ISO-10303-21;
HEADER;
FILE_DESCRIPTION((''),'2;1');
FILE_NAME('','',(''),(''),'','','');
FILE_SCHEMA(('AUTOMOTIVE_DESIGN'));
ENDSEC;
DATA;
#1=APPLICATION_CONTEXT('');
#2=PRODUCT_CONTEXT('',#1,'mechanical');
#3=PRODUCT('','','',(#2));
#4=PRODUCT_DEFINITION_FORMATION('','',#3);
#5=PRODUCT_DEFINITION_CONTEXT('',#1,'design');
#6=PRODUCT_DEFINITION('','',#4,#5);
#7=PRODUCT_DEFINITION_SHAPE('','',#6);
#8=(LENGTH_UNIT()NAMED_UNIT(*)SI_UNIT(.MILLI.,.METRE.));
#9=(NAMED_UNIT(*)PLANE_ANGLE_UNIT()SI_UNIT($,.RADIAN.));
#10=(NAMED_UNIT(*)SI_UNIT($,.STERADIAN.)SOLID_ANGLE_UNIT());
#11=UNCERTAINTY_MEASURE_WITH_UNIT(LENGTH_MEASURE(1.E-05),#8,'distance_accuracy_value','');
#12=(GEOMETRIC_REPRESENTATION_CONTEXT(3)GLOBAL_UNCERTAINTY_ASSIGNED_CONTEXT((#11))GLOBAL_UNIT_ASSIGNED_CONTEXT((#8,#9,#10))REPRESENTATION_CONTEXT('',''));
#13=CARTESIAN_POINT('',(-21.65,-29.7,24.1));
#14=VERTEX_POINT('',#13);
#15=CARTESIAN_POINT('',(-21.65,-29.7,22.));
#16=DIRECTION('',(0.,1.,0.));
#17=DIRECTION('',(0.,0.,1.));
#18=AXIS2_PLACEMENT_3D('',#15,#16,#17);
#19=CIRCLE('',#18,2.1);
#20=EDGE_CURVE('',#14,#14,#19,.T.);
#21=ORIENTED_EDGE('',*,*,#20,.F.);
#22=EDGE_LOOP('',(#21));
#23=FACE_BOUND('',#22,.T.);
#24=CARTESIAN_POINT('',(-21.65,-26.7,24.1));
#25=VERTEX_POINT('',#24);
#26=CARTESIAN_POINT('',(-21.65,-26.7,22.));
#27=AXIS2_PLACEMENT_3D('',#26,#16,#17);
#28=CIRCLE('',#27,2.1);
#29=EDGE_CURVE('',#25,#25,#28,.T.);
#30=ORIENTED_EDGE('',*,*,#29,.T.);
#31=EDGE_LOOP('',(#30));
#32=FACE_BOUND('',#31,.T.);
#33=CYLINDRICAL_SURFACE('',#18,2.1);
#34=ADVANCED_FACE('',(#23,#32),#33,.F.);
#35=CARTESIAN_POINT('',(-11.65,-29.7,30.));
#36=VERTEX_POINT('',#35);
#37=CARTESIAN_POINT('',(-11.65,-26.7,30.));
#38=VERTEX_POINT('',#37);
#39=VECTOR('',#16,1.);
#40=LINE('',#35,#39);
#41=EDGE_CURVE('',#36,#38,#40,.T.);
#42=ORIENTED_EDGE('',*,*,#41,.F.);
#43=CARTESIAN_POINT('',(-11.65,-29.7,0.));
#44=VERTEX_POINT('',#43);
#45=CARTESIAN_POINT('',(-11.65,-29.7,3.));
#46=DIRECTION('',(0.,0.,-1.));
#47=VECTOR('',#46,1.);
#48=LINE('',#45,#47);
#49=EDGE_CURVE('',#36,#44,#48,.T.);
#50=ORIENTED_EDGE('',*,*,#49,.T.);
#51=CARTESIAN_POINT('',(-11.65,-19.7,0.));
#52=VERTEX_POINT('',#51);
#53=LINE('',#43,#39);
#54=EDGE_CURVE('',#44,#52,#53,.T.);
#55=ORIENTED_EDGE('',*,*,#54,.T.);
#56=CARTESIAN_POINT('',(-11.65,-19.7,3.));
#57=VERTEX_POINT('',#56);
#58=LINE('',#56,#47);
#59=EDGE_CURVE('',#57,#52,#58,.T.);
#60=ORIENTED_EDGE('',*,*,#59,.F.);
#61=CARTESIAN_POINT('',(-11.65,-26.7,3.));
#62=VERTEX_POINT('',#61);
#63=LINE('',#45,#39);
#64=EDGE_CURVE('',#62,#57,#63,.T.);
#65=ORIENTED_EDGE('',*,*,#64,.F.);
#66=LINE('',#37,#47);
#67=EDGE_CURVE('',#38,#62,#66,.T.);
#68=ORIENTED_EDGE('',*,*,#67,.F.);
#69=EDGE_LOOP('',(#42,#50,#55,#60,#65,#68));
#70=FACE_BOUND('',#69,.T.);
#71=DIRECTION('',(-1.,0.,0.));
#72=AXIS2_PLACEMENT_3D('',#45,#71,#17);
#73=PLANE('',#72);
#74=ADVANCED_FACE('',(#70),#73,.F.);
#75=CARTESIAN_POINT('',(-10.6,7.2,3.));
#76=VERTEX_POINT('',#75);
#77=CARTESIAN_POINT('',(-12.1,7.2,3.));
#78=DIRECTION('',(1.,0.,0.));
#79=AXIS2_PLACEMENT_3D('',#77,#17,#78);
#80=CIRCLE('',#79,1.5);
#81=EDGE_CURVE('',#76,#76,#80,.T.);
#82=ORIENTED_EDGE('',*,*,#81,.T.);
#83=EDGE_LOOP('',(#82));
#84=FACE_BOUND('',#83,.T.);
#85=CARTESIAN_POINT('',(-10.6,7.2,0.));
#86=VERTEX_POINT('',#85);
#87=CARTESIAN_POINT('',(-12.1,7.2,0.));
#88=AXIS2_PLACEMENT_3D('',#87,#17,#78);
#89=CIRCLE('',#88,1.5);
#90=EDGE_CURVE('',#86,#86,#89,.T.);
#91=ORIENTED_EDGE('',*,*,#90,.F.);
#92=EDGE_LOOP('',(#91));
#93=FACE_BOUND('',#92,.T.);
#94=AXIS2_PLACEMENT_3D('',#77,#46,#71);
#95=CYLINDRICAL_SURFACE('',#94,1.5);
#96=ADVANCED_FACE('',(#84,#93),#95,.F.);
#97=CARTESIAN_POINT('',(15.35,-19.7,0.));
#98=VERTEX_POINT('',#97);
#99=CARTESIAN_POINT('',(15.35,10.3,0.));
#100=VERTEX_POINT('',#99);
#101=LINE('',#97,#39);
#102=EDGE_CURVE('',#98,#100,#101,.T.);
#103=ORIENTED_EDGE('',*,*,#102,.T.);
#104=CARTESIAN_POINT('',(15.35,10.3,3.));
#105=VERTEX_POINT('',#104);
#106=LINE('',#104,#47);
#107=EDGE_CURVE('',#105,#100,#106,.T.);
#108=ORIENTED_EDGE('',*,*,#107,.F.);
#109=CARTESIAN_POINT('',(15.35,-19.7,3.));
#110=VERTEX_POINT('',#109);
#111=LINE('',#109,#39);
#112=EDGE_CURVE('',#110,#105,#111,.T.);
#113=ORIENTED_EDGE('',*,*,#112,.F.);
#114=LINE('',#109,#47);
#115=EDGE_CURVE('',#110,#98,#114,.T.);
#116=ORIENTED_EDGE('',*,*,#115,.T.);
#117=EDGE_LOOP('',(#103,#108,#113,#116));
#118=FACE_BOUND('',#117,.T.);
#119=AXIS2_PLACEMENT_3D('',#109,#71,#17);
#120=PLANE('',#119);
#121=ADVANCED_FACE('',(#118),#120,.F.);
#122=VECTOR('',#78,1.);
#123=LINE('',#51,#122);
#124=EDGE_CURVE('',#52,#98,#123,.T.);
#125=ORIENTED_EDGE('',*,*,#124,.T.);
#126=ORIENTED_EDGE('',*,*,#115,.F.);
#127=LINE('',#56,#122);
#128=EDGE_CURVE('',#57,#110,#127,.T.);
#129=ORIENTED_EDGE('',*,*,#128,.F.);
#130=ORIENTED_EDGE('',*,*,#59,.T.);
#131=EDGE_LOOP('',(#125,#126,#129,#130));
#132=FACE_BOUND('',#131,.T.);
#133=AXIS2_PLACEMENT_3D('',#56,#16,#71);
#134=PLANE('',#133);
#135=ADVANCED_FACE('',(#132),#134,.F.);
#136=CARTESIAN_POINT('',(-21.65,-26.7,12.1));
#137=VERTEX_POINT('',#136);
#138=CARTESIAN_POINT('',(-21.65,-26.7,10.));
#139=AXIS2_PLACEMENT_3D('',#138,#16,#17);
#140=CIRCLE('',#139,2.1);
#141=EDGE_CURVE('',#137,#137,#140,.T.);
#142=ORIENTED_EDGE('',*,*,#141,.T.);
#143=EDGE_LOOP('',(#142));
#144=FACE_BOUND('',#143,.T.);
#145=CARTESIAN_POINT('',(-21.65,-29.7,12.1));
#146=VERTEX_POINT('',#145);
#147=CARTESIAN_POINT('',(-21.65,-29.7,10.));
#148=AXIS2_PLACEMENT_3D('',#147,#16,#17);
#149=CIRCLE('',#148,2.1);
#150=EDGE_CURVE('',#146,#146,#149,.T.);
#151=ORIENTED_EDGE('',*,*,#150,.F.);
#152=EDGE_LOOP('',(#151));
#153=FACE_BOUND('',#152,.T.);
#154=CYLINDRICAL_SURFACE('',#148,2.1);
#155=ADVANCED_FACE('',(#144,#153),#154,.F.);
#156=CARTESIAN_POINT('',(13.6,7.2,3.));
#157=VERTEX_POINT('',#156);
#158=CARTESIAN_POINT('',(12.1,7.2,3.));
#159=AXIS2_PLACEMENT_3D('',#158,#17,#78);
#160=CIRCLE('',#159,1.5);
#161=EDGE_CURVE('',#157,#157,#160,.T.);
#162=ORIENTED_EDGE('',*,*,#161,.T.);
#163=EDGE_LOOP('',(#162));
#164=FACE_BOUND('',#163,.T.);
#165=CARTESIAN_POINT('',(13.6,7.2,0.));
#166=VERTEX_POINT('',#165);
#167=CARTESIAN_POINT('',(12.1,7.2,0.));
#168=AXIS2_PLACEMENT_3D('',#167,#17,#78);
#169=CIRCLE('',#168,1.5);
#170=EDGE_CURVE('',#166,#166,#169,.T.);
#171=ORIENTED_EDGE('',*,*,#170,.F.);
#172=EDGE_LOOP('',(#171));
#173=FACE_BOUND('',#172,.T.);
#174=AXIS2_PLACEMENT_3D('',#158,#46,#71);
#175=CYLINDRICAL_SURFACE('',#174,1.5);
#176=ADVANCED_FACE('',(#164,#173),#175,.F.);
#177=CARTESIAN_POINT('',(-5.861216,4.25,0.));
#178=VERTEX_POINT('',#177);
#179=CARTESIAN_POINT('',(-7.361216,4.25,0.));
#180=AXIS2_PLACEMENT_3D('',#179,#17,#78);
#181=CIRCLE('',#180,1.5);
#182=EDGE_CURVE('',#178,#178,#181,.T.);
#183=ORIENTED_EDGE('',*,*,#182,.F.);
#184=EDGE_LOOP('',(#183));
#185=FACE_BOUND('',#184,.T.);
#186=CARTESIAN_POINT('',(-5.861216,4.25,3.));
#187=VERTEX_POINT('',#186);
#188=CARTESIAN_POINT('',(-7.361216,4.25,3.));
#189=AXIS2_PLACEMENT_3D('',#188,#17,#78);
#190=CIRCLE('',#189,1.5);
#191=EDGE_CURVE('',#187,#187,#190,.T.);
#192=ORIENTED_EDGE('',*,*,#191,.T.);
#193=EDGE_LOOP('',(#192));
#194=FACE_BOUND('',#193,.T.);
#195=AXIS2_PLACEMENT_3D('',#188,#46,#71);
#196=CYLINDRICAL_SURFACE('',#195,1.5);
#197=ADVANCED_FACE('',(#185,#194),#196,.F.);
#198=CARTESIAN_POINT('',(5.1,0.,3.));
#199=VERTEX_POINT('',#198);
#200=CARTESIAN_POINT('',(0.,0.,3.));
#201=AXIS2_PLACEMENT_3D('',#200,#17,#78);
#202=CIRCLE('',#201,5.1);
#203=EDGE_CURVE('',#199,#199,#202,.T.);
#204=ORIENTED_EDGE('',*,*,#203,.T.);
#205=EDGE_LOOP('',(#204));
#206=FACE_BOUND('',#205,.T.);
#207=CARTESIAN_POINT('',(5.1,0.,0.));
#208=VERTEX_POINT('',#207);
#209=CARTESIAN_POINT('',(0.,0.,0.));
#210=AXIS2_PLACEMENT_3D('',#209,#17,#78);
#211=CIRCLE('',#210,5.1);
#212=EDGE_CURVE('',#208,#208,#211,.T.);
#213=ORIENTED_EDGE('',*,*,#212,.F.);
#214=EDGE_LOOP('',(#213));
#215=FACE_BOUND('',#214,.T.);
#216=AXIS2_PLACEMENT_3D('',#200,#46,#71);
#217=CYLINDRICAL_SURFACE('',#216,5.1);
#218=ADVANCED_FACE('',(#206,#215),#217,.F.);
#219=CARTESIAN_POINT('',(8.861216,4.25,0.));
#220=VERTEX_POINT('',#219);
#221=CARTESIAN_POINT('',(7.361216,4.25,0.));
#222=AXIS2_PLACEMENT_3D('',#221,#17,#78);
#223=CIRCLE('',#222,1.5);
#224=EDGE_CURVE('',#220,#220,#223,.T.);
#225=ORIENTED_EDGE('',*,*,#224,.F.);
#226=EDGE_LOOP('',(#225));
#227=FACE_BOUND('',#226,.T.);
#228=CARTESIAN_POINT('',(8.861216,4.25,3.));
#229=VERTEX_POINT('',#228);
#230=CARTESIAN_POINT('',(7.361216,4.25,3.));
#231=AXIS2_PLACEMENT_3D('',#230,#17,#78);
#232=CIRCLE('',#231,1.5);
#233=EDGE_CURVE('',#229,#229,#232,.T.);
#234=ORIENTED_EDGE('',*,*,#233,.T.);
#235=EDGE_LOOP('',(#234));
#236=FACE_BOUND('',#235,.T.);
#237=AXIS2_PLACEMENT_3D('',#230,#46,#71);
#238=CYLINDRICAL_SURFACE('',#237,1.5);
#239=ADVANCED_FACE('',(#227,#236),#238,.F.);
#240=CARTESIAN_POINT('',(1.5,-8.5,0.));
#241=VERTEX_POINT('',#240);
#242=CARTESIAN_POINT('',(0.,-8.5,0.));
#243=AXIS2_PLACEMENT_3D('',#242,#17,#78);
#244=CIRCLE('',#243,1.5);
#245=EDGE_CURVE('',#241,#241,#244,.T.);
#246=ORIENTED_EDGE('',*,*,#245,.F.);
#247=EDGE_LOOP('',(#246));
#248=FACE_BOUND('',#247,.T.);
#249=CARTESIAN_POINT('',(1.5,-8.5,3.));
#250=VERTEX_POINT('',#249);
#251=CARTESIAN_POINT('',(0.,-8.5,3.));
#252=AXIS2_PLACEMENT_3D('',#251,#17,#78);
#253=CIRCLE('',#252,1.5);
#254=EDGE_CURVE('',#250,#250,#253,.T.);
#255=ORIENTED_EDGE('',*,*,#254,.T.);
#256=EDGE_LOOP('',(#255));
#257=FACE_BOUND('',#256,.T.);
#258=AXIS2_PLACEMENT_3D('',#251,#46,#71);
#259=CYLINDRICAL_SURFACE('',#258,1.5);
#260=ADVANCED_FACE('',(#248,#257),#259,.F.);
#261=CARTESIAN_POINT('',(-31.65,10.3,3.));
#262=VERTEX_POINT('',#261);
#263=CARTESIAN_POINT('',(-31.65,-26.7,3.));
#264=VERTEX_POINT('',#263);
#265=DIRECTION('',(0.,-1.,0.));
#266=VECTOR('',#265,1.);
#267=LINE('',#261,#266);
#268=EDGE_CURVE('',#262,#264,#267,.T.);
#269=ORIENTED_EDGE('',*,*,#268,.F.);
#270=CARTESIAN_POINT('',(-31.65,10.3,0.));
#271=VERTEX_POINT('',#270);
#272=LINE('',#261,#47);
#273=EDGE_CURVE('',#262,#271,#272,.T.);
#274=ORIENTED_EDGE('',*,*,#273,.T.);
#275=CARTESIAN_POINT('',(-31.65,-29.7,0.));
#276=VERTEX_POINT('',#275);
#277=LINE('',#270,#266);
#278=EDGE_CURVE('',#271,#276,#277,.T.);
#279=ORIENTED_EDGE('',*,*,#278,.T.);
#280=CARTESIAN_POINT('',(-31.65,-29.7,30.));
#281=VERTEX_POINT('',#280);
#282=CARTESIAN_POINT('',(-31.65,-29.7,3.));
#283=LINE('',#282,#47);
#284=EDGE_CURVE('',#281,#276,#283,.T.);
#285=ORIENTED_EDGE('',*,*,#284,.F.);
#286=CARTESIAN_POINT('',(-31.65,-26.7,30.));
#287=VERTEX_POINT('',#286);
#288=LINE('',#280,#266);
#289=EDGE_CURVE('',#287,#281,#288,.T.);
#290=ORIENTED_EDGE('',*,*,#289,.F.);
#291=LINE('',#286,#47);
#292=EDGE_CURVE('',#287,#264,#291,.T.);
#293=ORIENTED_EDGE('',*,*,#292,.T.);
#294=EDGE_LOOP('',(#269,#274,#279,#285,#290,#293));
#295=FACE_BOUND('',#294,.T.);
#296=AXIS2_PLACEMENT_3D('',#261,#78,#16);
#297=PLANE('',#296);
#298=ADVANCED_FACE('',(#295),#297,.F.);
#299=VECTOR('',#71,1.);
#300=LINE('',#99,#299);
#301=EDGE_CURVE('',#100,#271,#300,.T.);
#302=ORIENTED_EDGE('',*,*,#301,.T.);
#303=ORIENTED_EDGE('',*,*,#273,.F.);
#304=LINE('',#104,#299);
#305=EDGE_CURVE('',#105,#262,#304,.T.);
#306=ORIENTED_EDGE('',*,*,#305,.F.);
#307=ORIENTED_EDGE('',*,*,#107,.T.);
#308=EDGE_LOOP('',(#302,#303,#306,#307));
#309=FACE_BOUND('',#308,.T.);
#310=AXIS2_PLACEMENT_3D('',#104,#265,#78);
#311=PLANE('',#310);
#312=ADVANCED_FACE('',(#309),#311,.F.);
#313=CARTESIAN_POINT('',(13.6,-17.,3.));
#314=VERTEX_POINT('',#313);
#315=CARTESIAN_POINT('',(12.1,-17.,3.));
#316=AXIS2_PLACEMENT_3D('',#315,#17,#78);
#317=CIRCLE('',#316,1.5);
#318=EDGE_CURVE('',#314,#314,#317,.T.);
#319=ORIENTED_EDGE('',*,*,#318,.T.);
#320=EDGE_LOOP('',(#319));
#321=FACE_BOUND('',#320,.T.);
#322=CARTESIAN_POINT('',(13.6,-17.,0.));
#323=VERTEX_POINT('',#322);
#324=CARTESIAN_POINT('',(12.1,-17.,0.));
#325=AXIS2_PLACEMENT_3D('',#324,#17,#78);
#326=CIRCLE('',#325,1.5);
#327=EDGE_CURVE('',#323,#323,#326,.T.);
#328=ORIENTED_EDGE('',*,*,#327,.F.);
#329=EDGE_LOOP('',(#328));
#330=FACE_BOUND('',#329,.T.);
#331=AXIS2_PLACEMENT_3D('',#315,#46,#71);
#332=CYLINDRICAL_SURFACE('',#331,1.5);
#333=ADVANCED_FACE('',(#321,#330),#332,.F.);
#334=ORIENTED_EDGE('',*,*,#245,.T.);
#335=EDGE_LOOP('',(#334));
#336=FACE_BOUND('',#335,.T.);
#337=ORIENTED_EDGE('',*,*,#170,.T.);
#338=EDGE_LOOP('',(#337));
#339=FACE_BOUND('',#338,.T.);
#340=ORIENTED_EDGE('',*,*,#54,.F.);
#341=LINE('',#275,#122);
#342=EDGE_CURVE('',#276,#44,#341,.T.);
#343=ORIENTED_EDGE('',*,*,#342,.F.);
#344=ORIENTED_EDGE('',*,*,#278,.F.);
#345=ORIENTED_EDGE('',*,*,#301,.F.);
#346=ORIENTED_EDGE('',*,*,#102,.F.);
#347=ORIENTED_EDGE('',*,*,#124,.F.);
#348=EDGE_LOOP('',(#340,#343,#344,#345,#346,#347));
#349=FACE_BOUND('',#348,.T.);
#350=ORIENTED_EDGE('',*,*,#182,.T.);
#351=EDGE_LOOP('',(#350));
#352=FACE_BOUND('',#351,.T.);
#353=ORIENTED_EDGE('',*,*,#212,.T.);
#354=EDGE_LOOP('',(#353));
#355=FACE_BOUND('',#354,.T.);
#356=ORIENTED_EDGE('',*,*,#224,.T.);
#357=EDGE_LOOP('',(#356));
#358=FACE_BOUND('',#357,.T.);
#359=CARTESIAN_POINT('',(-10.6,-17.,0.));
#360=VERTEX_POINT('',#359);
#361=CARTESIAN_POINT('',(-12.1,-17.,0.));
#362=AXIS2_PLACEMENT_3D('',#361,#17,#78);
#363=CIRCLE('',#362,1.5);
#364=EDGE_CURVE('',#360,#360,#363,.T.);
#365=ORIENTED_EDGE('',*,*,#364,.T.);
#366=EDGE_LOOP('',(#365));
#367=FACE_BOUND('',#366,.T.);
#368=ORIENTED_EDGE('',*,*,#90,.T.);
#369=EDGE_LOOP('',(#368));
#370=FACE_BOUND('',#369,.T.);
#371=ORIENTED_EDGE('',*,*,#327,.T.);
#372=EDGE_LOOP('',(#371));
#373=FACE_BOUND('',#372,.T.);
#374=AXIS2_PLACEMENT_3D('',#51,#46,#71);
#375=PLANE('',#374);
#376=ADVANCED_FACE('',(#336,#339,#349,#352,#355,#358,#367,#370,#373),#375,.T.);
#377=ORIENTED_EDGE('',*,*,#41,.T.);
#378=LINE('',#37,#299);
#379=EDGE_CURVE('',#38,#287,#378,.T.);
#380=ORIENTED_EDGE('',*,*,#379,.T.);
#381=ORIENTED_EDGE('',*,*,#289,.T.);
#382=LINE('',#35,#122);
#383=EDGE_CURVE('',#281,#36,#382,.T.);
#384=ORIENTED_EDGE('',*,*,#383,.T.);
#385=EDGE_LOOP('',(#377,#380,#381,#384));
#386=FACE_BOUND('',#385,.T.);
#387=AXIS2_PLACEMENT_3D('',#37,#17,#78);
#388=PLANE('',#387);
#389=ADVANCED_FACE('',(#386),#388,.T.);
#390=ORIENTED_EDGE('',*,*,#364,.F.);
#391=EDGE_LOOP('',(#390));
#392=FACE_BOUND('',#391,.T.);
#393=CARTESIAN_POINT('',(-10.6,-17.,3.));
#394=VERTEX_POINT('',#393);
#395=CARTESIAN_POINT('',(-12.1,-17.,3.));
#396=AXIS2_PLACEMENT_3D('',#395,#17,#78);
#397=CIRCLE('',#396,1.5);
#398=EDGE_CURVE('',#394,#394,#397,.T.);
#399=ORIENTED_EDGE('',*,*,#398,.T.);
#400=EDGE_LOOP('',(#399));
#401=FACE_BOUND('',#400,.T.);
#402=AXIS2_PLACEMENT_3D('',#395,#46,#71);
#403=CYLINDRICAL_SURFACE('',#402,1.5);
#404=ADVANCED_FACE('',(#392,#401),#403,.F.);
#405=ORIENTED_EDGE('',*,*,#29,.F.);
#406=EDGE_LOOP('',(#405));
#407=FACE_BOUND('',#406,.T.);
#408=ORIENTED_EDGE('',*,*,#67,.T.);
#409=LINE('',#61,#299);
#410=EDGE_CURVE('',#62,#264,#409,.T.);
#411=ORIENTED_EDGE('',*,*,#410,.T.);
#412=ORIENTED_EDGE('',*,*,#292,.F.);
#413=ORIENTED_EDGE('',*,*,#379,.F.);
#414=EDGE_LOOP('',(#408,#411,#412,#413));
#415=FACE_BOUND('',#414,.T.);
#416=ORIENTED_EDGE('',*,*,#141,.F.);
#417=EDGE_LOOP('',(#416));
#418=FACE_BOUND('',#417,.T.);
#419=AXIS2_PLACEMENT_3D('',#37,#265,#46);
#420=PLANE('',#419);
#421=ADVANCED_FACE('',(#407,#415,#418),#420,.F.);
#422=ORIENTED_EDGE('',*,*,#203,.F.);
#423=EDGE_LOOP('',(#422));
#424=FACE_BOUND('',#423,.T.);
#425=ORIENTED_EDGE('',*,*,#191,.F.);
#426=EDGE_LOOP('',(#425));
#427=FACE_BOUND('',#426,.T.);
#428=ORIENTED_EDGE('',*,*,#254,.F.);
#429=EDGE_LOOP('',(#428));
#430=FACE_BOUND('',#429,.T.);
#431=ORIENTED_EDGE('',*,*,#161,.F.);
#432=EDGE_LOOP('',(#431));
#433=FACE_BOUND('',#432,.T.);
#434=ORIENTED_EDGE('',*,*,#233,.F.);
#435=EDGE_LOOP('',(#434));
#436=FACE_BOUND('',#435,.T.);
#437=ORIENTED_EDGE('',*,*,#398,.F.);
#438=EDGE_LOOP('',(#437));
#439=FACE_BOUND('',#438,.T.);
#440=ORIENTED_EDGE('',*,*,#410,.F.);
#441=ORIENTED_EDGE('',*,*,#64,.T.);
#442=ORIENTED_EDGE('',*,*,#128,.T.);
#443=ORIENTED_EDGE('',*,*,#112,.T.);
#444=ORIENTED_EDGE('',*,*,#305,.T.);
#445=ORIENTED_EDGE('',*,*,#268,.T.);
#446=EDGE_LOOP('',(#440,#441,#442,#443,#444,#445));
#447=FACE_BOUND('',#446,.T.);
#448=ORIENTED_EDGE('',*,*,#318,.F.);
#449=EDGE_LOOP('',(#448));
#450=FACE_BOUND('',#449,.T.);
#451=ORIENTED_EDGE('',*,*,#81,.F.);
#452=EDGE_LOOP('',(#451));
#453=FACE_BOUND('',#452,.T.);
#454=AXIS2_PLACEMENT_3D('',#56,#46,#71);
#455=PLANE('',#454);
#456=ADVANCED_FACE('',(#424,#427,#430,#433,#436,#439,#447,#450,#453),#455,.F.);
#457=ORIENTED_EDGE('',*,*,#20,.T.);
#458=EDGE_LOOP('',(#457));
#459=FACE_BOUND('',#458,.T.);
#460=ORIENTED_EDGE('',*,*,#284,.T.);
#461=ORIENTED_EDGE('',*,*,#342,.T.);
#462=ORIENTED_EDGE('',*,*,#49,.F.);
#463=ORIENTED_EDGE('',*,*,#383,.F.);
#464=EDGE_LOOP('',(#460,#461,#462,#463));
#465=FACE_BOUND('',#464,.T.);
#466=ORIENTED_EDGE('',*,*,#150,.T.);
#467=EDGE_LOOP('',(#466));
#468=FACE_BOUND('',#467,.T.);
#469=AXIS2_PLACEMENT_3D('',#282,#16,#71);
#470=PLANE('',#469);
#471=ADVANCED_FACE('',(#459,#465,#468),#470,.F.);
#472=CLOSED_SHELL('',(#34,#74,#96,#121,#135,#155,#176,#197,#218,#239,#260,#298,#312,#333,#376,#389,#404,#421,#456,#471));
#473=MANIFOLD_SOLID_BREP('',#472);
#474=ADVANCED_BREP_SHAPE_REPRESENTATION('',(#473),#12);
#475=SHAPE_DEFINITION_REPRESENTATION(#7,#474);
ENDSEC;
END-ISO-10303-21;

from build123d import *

# Parameters (mm, degrees)
ESQUISSE1_R             = 5.1
ESQUISSE1_R_2           = 1.5
EXTRUSION1_DEPTH        = 3
ESQUISSE2_W             = 20
ESQUISSE2_H             = 3
EXTRUSION2_DEPTH        = 27
ESQUISSE4_R             = 2.1
ENL_V_MAT_EXTRU_1_DEPTH = 4


with BuildPart() as part:
    # Esquisse1 → Extrusion1 (new body)
    with BuildSketch(Plane.XY):
        Polygon((-11.65, -19.7), (15.35, -19.7), (15.35, 10.3), (-31.65, 10.3), (-31.65, -29.7), (-11.65, -29.7), align=None)
        Circle(ESQUISSE1_R, mode=Mode.SUBTRACT)
        with Locations((-12.1, 7.2)):
            Circle(ESQUISSE1_R_2, mode=Mode.SUBTRACT)
        with Locations((-12.1, -17)):
            Circle(ESQUISSE1_R_2, mode=Mode.SUBTRACT)
        with Locations((12.1, -17)):
            Circle(ESQUISSE1_R_2, mode=Mode.SUBTRACT)
        with Locations((12.1, 7.2)):
            Circle(ESQUISSE1_R_2, mode=Mode.SUBTRACT)
        with Locations((0, -8.5)):
            Circle(ESQUISSE1_R_2, mode=Mode.SUBTRACT)
        with Locations((-7.361215932, 4.25)):
            Circle(ESQUISSE1_R_2, mode=Mode.SUBTRACT)
        with Locations((7.361215932, 4.25)):
            Circle(ESQUISSE1_R_2, mode=Mode.SUBTRACT)
    extrude(amount=EXTRUSION1_DEPTH)

    # Esquisse2 → Extrusion2 (add)
    with BuildSketch(Plane.XY.offset(3)):
        with Locations((-21.65, -28.2)):
            Rectangle(ESQUISSE2_W, ESQUISSE2_H)
    extrude(amount=EXTRUSION2_DEPTH)

    # Esquisse4 → Enlèv. mat.-Extru.1 (cut, through all)
    with BuildSketch(Plane(origin=(0, -26.7, 0), x_dir=(-1, 0, 0), z_dir=(0, 1, 0))):
        with Locations(Location((21.65, 10, 0), (0, 0, 90))):  # turned: the seam where the file's is
            Circle(ESQUISSE4_R)
        with Locations(Location((21.65, 22, 0), (0, 0, 90))):  # turned: the seam where the file's is
            Circle(ESQUISSE4_R)
    extrude(amount=-ENL_V_MAT_EXTRU_1_DEPTH, mode=Mode.SUBTRACT)


solid = part.part
